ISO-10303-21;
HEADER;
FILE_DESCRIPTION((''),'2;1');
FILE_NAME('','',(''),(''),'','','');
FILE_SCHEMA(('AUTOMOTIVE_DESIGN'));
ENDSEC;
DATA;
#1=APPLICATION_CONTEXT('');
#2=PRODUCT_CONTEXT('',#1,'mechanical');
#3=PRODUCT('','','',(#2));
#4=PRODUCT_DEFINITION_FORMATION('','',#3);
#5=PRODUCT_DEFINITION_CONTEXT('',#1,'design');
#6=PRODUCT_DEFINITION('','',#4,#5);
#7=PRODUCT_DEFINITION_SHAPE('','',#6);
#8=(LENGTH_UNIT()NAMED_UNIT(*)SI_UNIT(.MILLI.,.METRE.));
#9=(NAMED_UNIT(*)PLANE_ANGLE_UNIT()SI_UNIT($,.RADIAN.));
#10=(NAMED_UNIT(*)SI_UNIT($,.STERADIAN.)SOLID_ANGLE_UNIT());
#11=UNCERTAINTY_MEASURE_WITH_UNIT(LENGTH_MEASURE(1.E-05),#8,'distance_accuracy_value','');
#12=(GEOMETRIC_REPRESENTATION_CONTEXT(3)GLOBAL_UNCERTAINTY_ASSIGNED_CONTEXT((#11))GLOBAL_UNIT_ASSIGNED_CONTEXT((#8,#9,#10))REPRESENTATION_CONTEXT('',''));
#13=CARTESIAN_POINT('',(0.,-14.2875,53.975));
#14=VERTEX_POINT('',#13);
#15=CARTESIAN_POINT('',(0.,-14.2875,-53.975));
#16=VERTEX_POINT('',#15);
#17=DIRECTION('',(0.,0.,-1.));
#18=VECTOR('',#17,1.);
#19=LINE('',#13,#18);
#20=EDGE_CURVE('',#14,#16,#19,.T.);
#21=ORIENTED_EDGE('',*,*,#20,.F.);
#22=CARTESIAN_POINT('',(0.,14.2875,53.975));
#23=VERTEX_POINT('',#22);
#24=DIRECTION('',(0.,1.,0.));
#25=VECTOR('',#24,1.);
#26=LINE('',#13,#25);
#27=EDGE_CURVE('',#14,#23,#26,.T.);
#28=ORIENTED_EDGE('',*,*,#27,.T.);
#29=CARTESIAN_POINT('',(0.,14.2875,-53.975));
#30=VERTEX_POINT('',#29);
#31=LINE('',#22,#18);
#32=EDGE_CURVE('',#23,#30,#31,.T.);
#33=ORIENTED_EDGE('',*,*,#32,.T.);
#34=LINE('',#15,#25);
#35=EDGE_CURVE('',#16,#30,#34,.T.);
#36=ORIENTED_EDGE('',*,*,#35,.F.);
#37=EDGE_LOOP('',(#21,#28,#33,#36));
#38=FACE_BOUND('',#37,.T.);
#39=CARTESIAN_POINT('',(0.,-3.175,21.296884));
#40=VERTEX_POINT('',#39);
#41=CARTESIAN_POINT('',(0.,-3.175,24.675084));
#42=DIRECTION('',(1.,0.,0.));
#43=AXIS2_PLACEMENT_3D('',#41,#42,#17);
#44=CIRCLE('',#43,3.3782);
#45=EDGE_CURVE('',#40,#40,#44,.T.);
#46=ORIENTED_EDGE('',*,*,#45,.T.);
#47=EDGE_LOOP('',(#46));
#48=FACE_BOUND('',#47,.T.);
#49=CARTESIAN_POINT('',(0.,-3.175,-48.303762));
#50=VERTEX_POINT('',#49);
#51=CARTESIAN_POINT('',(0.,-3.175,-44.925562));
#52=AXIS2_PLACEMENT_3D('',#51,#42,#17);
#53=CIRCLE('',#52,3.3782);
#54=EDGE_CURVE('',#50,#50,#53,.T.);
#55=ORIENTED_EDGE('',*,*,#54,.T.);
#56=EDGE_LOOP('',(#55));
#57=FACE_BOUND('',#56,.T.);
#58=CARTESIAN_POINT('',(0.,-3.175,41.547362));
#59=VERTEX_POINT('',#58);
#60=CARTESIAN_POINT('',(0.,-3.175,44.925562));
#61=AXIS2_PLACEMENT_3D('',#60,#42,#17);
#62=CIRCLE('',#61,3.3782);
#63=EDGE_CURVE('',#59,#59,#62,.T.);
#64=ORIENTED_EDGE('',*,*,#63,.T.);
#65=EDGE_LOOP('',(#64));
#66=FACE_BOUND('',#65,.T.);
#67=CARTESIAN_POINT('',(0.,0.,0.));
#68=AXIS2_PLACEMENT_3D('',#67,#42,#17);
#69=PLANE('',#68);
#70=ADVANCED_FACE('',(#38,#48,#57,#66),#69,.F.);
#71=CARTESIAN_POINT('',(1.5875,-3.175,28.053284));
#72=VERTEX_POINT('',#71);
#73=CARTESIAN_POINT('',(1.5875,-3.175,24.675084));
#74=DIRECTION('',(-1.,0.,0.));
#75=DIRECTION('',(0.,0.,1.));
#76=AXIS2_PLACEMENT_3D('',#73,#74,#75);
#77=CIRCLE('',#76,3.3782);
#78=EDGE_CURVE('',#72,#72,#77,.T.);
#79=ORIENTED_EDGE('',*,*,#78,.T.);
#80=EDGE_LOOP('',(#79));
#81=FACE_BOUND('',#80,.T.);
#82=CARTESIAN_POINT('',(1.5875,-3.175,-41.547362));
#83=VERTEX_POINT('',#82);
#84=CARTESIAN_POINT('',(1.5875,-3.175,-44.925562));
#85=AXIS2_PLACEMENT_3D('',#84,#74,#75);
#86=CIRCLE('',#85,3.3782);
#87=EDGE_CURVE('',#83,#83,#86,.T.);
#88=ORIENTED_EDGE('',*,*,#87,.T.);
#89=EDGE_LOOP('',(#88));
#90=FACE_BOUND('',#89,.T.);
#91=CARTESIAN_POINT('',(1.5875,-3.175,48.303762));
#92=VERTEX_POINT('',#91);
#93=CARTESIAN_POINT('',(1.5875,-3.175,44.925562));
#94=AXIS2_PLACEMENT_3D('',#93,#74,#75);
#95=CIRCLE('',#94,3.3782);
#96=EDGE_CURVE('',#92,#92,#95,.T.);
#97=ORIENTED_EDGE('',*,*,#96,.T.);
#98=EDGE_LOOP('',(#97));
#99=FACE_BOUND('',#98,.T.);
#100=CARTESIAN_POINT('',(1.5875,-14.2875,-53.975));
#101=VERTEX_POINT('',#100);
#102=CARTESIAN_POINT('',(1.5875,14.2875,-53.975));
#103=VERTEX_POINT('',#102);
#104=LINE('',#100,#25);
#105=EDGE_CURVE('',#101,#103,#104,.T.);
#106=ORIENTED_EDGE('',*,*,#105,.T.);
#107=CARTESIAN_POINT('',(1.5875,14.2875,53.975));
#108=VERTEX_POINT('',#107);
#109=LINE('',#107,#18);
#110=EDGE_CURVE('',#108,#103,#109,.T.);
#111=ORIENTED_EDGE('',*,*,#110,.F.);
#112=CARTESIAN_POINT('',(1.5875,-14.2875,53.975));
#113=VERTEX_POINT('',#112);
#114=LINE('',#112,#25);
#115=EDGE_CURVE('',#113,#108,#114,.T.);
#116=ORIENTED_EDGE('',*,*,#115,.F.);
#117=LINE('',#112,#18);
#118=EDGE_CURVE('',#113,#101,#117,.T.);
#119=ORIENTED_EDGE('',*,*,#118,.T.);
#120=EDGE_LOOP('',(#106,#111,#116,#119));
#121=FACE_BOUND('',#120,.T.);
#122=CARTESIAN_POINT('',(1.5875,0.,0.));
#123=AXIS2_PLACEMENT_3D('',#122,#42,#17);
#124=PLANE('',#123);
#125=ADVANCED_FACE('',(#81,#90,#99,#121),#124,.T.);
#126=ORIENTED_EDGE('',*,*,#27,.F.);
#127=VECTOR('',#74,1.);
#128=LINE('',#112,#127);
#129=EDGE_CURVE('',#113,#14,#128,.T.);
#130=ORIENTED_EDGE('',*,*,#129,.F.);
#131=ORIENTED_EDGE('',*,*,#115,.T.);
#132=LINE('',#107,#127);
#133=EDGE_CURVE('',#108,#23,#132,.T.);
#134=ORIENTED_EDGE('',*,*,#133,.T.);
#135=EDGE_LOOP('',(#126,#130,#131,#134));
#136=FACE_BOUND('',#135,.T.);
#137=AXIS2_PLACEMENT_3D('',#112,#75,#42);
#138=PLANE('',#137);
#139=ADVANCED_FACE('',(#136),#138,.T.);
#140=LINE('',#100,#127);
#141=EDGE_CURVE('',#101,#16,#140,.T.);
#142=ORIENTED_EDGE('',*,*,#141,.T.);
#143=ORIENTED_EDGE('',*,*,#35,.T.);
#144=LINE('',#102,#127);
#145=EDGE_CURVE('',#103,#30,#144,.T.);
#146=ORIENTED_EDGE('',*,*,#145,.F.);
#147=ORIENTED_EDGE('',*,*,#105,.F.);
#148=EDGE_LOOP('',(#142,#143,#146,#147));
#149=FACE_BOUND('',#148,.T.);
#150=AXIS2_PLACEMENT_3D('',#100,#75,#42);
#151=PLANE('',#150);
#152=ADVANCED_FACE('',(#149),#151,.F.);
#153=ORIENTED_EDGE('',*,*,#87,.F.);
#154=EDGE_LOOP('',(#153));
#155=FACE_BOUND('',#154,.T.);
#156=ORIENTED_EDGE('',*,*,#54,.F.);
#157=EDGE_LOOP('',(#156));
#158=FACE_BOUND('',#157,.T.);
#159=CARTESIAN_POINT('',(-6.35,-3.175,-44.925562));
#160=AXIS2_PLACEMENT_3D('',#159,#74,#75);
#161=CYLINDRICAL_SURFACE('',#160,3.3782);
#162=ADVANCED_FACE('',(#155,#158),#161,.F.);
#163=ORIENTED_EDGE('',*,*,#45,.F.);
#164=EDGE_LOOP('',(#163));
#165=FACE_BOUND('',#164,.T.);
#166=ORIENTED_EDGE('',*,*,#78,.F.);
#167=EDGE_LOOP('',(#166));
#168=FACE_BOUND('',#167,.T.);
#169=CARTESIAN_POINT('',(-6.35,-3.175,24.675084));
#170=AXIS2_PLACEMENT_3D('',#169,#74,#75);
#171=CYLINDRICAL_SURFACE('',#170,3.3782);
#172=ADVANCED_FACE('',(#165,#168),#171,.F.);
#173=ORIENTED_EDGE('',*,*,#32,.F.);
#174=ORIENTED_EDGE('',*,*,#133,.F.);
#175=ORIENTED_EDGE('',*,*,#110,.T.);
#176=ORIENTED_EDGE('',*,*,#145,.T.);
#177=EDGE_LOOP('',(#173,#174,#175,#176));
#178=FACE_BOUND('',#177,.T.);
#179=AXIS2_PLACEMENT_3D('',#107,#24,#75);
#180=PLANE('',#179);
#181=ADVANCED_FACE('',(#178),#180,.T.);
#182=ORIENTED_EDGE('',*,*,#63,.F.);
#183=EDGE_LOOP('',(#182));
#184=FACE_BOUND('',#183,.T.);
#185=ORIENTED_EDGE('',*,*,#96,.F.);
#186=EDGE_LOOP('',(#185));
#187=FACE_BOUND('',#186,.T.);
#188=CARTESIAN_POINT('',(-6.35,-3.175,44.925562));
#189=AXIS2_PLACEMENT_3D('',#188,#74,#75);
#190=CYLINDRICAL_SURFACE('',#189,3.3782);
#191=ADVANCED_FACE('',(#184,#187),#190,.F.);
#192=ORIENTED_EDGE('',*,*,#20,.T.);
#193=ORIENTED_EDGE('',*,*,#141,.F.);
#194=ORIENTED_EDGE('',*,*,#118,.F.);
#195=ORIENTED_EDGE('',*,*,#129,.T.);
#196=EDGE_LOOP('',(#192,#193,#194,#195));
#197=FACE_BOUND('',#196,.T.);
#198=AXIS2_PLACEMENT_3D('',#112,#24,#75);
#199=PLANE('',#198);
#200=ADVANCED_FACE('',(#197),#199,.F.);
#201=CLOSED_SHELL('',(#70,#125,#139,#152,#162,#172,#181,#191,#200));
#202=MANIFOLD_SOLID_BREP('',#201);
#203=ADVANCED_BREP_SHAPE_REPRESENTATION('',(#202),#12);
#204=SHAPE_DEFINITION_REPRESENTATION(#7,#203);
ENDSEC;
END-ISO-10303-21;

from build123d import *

# Parameters (mm, degrees)
SKETCH1_W               = 107.95
SKETCH1_H               = 28.575
BOSS_EXTRUDE1_DEPTH     = 1.5875
F_1_4_CLEARANCE_HOLE1_D = 6.7564


with BuildPart() as part:
    # Sketch1 → Boss-Extrude1 (new body)
    with BuildSketch(Plane(origin=(0, 0, 0), x_dir=(0, 0, -1), z_dir=(1, 0, 0))):
        Rectangle(SKETCH1_W, SKETCH1_H)
    extrude(amount=BOSS_EXTRUDE1_DEPTH)

    # 1/4 Clearance Hole1 (through all)
    with Locations(Plane(origin=(-6.35, -14.6685, 57.15), x_dir=(0, 1, 0), z_dir=(-1, 0, 0))):
        with Locations((11.4935, 32.474915951), (11.4935, 12.224438398), (11.4935, 102.075561602)):
            Hole(F_1_4_CLEARANCE_HOLE1_D / 2)


solid = part.part
